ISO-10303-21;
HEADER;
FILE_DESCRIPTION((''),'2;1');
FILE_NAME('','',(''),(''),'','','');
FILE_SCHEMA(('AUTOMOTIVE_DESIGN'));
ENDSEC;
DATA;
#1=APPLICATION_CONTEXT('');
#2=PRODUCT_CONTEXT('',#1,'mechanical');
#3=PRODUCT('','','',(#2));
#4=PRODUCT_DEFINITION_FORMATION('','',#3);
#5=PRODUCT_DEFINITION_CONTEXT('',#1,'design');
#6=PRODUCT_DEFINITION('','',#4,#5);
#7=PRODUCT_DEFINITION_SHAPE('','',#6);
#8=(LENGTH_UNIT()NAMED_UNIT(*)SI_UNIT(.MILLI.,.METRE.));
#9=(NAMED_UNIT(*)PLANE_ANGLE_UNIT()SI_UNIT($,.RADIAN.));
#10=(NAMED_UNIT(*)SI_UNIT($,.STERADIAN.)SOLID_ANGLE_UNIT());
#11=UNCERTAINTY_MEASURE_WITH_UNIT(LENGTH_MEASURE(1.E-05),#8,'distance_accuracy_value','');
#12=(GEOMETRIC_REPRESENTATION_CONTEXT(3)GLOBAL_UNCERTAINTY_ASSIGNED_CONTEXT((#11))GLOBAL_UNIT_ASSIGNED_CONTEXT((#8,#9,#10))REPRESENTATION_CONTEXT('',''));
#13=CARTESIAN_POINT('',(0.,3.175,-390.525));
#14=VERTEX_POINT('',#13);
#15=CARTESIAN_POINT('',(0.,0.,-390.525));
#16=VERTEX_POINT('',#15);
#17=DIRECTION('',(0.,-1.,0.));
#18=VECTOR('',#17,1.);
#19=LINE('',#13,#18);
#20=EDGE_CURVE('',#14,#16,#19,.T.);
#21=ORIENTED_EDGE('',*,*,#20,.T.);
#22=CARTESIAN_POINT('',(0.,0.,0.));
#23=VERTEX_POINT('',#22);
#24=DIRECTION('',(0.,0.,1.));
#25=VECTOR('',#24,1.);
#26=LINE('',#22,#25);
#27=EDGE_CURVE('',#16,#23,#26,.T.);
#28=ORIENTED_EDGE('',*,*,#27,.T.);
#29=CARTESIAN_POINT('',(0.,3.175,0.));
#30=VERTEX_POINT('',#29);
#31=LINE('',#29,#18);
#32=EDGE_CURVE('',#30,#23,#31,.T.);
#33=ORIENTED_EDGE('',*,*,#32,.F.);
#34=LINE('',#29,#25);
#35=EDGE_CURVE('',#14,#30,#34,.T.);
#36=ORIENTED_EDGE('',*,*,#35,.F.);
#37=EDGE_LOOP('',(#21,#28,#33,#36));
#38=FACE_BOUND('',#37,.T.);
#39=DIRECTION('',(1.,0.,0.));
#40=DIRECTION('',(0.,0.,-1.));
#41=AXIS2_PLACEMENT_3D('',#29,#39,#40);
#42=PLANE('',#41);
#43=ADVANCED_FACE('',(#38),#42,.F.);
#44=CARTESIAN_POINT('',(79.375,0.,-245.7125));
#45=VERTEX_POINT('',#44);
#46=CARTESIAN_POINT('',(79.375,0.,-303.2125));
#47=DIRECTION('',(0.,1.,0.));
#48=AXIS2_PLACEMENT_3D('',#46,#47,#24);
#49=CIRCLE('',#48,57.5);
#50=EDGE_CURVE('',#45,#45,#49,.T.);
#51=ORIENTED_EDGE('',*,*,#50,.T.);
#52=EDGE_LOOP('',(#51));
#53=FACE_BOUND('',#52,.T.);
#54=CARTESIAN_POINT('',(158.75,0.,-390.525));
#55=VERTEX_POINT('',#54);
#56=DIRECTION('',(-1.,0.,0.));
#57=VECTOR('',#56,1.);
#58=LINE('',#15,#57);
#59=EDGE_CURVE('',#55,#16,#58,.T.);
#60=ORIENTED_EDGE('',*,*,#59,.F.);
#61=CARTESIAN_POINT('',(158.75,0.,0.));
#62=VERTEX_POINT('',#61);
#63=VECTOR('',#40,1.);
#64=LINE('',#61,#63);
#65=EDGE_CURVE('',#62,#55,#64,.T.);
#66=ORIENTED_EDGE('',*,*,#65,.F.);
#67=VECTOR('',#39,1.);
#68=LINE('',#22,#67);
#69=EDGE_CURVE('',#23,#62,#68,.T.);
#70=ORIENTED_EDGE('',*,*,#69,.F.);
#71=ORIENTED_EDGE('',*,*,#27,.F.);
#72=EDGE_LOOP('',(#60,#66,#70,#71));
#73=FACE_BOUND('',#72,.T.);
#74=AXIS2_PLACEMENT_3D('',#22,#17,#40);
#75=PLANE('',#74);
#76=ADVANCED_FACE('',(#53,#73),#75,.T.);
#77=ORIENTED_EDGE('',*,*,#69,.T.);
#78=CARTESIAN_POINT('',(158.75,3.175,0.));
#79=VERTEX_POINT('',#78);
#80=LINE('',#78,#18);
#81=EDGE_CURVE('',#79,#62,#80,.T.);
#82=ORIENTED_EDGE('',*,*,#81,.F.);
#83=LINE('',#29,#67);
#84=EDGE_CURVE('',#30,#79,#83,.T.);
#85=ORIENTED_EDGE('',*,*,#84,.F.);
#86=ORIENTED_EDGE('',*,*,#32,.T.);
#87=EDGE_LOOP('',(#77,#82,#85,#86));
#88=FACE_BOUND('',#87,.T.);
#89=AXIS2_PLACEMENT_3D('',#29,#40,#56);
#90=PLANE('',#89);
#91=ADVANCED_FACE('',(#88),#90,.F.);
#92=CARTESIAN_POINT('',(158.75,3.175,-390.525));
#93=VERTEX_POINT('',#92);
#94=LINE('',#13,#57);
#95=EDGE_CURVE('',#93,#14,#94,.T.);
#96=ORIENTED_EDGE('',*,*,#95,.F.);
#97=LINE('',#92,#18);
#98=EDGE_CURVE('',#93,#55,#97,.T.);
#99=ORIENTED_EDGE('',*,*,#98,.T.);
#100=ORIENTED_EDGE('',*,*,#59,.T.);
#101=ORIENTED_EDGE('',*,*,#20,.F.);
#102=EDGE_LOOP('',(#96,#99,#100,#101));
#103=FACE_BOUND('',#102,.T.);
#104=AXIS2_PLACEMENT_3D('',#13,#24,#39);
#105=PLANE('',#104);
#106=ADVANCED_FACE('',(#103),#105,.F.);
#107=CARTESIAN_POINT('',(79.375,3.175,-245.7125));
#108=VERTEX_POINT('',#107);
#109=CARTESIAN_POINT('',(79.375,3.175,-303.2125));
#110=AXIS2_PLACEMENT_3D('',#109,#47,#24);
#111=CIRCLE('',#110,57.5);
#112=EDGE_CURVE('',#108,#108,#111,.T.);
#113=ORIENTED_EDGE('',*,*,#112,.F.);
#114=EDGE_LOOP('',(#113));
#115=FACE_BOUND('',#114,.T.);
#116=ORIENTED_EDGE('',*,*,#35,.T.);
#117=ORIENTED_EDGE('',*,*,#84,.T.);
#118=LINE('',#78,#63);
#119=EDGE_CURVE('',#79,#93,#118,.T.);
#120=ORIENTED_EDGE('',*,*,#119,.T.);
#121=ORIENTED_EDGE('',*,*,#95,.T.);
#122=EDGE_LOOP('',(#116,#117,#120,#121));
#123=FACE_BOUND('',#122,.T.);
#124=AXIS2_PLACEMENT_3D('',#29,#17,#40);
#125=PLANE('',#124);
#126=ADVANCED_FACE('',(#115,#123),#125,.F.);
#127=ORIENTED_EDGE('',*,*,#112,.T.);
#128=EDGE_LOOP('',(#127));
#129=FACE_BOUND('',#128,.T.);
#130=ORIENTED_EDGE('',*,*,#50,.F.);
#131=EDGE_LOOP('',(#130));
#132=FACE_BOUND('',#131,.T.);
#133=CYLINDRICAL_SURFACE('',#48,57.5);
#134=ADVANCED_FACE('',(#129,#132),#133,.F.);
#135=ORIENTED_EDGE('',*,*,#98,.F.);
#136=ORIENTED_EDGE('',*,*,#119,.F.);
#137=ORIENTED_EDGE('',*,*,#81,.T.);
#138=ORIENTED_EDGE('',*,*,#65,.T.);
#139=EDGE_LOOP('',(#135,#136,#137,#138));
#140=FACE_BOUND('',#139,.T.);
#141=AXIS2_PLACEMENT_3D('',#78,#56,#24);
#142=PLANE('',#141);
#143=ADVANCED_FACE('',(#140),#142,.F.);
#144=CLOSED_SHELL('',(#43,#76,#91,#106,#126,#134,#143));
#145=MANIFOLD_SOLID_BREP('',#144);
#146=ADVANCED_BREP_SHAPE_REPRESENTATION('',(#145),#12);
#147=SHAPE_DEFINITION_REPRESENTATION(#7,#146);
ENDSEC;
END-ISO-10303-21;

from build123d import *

# Parameters (mm, degrees)
SKETCH1_W           = 158.75
SKETCH1_H           = 390.525
BOSS_EXTRUDE1_DEPTH = 3.175
SKETCH4_R           = 57.5
CUT_EXTRUDE1_DEPTH  = 422.570182473


with BuildPart() as part:
    # Sketch1 → Boss-Extrude1 (new body)
    with BuildSketch(Plane(origin=(0, 0, 0), x_dir=(1, 0, 0), z_dir=(0, 1, 0))):
        with Locations((79.375, 195.2625)):
            Rectangle(SKETCH1_W, SKETCH1_H)
    extrude(amount=BOSS_EXTRUDE1_DEPTH)

    # Sketch4 → Cut-Extrude1 (cut, through all)
    with BuildSketch(Plane(origin=(0, 3.175, 0), x_dir=(1, 0, 0), z_dir=(0, 1, 0))):
        with Locations(Location((79.375, 303.2125, 0), (0, 0, 270))):
            Circle(SKETCH4_R)
    extrude(amount=-CUT_EXTRUDE1_DEPTH, mode=Mode.SUBTRACT)


solid = part.part
